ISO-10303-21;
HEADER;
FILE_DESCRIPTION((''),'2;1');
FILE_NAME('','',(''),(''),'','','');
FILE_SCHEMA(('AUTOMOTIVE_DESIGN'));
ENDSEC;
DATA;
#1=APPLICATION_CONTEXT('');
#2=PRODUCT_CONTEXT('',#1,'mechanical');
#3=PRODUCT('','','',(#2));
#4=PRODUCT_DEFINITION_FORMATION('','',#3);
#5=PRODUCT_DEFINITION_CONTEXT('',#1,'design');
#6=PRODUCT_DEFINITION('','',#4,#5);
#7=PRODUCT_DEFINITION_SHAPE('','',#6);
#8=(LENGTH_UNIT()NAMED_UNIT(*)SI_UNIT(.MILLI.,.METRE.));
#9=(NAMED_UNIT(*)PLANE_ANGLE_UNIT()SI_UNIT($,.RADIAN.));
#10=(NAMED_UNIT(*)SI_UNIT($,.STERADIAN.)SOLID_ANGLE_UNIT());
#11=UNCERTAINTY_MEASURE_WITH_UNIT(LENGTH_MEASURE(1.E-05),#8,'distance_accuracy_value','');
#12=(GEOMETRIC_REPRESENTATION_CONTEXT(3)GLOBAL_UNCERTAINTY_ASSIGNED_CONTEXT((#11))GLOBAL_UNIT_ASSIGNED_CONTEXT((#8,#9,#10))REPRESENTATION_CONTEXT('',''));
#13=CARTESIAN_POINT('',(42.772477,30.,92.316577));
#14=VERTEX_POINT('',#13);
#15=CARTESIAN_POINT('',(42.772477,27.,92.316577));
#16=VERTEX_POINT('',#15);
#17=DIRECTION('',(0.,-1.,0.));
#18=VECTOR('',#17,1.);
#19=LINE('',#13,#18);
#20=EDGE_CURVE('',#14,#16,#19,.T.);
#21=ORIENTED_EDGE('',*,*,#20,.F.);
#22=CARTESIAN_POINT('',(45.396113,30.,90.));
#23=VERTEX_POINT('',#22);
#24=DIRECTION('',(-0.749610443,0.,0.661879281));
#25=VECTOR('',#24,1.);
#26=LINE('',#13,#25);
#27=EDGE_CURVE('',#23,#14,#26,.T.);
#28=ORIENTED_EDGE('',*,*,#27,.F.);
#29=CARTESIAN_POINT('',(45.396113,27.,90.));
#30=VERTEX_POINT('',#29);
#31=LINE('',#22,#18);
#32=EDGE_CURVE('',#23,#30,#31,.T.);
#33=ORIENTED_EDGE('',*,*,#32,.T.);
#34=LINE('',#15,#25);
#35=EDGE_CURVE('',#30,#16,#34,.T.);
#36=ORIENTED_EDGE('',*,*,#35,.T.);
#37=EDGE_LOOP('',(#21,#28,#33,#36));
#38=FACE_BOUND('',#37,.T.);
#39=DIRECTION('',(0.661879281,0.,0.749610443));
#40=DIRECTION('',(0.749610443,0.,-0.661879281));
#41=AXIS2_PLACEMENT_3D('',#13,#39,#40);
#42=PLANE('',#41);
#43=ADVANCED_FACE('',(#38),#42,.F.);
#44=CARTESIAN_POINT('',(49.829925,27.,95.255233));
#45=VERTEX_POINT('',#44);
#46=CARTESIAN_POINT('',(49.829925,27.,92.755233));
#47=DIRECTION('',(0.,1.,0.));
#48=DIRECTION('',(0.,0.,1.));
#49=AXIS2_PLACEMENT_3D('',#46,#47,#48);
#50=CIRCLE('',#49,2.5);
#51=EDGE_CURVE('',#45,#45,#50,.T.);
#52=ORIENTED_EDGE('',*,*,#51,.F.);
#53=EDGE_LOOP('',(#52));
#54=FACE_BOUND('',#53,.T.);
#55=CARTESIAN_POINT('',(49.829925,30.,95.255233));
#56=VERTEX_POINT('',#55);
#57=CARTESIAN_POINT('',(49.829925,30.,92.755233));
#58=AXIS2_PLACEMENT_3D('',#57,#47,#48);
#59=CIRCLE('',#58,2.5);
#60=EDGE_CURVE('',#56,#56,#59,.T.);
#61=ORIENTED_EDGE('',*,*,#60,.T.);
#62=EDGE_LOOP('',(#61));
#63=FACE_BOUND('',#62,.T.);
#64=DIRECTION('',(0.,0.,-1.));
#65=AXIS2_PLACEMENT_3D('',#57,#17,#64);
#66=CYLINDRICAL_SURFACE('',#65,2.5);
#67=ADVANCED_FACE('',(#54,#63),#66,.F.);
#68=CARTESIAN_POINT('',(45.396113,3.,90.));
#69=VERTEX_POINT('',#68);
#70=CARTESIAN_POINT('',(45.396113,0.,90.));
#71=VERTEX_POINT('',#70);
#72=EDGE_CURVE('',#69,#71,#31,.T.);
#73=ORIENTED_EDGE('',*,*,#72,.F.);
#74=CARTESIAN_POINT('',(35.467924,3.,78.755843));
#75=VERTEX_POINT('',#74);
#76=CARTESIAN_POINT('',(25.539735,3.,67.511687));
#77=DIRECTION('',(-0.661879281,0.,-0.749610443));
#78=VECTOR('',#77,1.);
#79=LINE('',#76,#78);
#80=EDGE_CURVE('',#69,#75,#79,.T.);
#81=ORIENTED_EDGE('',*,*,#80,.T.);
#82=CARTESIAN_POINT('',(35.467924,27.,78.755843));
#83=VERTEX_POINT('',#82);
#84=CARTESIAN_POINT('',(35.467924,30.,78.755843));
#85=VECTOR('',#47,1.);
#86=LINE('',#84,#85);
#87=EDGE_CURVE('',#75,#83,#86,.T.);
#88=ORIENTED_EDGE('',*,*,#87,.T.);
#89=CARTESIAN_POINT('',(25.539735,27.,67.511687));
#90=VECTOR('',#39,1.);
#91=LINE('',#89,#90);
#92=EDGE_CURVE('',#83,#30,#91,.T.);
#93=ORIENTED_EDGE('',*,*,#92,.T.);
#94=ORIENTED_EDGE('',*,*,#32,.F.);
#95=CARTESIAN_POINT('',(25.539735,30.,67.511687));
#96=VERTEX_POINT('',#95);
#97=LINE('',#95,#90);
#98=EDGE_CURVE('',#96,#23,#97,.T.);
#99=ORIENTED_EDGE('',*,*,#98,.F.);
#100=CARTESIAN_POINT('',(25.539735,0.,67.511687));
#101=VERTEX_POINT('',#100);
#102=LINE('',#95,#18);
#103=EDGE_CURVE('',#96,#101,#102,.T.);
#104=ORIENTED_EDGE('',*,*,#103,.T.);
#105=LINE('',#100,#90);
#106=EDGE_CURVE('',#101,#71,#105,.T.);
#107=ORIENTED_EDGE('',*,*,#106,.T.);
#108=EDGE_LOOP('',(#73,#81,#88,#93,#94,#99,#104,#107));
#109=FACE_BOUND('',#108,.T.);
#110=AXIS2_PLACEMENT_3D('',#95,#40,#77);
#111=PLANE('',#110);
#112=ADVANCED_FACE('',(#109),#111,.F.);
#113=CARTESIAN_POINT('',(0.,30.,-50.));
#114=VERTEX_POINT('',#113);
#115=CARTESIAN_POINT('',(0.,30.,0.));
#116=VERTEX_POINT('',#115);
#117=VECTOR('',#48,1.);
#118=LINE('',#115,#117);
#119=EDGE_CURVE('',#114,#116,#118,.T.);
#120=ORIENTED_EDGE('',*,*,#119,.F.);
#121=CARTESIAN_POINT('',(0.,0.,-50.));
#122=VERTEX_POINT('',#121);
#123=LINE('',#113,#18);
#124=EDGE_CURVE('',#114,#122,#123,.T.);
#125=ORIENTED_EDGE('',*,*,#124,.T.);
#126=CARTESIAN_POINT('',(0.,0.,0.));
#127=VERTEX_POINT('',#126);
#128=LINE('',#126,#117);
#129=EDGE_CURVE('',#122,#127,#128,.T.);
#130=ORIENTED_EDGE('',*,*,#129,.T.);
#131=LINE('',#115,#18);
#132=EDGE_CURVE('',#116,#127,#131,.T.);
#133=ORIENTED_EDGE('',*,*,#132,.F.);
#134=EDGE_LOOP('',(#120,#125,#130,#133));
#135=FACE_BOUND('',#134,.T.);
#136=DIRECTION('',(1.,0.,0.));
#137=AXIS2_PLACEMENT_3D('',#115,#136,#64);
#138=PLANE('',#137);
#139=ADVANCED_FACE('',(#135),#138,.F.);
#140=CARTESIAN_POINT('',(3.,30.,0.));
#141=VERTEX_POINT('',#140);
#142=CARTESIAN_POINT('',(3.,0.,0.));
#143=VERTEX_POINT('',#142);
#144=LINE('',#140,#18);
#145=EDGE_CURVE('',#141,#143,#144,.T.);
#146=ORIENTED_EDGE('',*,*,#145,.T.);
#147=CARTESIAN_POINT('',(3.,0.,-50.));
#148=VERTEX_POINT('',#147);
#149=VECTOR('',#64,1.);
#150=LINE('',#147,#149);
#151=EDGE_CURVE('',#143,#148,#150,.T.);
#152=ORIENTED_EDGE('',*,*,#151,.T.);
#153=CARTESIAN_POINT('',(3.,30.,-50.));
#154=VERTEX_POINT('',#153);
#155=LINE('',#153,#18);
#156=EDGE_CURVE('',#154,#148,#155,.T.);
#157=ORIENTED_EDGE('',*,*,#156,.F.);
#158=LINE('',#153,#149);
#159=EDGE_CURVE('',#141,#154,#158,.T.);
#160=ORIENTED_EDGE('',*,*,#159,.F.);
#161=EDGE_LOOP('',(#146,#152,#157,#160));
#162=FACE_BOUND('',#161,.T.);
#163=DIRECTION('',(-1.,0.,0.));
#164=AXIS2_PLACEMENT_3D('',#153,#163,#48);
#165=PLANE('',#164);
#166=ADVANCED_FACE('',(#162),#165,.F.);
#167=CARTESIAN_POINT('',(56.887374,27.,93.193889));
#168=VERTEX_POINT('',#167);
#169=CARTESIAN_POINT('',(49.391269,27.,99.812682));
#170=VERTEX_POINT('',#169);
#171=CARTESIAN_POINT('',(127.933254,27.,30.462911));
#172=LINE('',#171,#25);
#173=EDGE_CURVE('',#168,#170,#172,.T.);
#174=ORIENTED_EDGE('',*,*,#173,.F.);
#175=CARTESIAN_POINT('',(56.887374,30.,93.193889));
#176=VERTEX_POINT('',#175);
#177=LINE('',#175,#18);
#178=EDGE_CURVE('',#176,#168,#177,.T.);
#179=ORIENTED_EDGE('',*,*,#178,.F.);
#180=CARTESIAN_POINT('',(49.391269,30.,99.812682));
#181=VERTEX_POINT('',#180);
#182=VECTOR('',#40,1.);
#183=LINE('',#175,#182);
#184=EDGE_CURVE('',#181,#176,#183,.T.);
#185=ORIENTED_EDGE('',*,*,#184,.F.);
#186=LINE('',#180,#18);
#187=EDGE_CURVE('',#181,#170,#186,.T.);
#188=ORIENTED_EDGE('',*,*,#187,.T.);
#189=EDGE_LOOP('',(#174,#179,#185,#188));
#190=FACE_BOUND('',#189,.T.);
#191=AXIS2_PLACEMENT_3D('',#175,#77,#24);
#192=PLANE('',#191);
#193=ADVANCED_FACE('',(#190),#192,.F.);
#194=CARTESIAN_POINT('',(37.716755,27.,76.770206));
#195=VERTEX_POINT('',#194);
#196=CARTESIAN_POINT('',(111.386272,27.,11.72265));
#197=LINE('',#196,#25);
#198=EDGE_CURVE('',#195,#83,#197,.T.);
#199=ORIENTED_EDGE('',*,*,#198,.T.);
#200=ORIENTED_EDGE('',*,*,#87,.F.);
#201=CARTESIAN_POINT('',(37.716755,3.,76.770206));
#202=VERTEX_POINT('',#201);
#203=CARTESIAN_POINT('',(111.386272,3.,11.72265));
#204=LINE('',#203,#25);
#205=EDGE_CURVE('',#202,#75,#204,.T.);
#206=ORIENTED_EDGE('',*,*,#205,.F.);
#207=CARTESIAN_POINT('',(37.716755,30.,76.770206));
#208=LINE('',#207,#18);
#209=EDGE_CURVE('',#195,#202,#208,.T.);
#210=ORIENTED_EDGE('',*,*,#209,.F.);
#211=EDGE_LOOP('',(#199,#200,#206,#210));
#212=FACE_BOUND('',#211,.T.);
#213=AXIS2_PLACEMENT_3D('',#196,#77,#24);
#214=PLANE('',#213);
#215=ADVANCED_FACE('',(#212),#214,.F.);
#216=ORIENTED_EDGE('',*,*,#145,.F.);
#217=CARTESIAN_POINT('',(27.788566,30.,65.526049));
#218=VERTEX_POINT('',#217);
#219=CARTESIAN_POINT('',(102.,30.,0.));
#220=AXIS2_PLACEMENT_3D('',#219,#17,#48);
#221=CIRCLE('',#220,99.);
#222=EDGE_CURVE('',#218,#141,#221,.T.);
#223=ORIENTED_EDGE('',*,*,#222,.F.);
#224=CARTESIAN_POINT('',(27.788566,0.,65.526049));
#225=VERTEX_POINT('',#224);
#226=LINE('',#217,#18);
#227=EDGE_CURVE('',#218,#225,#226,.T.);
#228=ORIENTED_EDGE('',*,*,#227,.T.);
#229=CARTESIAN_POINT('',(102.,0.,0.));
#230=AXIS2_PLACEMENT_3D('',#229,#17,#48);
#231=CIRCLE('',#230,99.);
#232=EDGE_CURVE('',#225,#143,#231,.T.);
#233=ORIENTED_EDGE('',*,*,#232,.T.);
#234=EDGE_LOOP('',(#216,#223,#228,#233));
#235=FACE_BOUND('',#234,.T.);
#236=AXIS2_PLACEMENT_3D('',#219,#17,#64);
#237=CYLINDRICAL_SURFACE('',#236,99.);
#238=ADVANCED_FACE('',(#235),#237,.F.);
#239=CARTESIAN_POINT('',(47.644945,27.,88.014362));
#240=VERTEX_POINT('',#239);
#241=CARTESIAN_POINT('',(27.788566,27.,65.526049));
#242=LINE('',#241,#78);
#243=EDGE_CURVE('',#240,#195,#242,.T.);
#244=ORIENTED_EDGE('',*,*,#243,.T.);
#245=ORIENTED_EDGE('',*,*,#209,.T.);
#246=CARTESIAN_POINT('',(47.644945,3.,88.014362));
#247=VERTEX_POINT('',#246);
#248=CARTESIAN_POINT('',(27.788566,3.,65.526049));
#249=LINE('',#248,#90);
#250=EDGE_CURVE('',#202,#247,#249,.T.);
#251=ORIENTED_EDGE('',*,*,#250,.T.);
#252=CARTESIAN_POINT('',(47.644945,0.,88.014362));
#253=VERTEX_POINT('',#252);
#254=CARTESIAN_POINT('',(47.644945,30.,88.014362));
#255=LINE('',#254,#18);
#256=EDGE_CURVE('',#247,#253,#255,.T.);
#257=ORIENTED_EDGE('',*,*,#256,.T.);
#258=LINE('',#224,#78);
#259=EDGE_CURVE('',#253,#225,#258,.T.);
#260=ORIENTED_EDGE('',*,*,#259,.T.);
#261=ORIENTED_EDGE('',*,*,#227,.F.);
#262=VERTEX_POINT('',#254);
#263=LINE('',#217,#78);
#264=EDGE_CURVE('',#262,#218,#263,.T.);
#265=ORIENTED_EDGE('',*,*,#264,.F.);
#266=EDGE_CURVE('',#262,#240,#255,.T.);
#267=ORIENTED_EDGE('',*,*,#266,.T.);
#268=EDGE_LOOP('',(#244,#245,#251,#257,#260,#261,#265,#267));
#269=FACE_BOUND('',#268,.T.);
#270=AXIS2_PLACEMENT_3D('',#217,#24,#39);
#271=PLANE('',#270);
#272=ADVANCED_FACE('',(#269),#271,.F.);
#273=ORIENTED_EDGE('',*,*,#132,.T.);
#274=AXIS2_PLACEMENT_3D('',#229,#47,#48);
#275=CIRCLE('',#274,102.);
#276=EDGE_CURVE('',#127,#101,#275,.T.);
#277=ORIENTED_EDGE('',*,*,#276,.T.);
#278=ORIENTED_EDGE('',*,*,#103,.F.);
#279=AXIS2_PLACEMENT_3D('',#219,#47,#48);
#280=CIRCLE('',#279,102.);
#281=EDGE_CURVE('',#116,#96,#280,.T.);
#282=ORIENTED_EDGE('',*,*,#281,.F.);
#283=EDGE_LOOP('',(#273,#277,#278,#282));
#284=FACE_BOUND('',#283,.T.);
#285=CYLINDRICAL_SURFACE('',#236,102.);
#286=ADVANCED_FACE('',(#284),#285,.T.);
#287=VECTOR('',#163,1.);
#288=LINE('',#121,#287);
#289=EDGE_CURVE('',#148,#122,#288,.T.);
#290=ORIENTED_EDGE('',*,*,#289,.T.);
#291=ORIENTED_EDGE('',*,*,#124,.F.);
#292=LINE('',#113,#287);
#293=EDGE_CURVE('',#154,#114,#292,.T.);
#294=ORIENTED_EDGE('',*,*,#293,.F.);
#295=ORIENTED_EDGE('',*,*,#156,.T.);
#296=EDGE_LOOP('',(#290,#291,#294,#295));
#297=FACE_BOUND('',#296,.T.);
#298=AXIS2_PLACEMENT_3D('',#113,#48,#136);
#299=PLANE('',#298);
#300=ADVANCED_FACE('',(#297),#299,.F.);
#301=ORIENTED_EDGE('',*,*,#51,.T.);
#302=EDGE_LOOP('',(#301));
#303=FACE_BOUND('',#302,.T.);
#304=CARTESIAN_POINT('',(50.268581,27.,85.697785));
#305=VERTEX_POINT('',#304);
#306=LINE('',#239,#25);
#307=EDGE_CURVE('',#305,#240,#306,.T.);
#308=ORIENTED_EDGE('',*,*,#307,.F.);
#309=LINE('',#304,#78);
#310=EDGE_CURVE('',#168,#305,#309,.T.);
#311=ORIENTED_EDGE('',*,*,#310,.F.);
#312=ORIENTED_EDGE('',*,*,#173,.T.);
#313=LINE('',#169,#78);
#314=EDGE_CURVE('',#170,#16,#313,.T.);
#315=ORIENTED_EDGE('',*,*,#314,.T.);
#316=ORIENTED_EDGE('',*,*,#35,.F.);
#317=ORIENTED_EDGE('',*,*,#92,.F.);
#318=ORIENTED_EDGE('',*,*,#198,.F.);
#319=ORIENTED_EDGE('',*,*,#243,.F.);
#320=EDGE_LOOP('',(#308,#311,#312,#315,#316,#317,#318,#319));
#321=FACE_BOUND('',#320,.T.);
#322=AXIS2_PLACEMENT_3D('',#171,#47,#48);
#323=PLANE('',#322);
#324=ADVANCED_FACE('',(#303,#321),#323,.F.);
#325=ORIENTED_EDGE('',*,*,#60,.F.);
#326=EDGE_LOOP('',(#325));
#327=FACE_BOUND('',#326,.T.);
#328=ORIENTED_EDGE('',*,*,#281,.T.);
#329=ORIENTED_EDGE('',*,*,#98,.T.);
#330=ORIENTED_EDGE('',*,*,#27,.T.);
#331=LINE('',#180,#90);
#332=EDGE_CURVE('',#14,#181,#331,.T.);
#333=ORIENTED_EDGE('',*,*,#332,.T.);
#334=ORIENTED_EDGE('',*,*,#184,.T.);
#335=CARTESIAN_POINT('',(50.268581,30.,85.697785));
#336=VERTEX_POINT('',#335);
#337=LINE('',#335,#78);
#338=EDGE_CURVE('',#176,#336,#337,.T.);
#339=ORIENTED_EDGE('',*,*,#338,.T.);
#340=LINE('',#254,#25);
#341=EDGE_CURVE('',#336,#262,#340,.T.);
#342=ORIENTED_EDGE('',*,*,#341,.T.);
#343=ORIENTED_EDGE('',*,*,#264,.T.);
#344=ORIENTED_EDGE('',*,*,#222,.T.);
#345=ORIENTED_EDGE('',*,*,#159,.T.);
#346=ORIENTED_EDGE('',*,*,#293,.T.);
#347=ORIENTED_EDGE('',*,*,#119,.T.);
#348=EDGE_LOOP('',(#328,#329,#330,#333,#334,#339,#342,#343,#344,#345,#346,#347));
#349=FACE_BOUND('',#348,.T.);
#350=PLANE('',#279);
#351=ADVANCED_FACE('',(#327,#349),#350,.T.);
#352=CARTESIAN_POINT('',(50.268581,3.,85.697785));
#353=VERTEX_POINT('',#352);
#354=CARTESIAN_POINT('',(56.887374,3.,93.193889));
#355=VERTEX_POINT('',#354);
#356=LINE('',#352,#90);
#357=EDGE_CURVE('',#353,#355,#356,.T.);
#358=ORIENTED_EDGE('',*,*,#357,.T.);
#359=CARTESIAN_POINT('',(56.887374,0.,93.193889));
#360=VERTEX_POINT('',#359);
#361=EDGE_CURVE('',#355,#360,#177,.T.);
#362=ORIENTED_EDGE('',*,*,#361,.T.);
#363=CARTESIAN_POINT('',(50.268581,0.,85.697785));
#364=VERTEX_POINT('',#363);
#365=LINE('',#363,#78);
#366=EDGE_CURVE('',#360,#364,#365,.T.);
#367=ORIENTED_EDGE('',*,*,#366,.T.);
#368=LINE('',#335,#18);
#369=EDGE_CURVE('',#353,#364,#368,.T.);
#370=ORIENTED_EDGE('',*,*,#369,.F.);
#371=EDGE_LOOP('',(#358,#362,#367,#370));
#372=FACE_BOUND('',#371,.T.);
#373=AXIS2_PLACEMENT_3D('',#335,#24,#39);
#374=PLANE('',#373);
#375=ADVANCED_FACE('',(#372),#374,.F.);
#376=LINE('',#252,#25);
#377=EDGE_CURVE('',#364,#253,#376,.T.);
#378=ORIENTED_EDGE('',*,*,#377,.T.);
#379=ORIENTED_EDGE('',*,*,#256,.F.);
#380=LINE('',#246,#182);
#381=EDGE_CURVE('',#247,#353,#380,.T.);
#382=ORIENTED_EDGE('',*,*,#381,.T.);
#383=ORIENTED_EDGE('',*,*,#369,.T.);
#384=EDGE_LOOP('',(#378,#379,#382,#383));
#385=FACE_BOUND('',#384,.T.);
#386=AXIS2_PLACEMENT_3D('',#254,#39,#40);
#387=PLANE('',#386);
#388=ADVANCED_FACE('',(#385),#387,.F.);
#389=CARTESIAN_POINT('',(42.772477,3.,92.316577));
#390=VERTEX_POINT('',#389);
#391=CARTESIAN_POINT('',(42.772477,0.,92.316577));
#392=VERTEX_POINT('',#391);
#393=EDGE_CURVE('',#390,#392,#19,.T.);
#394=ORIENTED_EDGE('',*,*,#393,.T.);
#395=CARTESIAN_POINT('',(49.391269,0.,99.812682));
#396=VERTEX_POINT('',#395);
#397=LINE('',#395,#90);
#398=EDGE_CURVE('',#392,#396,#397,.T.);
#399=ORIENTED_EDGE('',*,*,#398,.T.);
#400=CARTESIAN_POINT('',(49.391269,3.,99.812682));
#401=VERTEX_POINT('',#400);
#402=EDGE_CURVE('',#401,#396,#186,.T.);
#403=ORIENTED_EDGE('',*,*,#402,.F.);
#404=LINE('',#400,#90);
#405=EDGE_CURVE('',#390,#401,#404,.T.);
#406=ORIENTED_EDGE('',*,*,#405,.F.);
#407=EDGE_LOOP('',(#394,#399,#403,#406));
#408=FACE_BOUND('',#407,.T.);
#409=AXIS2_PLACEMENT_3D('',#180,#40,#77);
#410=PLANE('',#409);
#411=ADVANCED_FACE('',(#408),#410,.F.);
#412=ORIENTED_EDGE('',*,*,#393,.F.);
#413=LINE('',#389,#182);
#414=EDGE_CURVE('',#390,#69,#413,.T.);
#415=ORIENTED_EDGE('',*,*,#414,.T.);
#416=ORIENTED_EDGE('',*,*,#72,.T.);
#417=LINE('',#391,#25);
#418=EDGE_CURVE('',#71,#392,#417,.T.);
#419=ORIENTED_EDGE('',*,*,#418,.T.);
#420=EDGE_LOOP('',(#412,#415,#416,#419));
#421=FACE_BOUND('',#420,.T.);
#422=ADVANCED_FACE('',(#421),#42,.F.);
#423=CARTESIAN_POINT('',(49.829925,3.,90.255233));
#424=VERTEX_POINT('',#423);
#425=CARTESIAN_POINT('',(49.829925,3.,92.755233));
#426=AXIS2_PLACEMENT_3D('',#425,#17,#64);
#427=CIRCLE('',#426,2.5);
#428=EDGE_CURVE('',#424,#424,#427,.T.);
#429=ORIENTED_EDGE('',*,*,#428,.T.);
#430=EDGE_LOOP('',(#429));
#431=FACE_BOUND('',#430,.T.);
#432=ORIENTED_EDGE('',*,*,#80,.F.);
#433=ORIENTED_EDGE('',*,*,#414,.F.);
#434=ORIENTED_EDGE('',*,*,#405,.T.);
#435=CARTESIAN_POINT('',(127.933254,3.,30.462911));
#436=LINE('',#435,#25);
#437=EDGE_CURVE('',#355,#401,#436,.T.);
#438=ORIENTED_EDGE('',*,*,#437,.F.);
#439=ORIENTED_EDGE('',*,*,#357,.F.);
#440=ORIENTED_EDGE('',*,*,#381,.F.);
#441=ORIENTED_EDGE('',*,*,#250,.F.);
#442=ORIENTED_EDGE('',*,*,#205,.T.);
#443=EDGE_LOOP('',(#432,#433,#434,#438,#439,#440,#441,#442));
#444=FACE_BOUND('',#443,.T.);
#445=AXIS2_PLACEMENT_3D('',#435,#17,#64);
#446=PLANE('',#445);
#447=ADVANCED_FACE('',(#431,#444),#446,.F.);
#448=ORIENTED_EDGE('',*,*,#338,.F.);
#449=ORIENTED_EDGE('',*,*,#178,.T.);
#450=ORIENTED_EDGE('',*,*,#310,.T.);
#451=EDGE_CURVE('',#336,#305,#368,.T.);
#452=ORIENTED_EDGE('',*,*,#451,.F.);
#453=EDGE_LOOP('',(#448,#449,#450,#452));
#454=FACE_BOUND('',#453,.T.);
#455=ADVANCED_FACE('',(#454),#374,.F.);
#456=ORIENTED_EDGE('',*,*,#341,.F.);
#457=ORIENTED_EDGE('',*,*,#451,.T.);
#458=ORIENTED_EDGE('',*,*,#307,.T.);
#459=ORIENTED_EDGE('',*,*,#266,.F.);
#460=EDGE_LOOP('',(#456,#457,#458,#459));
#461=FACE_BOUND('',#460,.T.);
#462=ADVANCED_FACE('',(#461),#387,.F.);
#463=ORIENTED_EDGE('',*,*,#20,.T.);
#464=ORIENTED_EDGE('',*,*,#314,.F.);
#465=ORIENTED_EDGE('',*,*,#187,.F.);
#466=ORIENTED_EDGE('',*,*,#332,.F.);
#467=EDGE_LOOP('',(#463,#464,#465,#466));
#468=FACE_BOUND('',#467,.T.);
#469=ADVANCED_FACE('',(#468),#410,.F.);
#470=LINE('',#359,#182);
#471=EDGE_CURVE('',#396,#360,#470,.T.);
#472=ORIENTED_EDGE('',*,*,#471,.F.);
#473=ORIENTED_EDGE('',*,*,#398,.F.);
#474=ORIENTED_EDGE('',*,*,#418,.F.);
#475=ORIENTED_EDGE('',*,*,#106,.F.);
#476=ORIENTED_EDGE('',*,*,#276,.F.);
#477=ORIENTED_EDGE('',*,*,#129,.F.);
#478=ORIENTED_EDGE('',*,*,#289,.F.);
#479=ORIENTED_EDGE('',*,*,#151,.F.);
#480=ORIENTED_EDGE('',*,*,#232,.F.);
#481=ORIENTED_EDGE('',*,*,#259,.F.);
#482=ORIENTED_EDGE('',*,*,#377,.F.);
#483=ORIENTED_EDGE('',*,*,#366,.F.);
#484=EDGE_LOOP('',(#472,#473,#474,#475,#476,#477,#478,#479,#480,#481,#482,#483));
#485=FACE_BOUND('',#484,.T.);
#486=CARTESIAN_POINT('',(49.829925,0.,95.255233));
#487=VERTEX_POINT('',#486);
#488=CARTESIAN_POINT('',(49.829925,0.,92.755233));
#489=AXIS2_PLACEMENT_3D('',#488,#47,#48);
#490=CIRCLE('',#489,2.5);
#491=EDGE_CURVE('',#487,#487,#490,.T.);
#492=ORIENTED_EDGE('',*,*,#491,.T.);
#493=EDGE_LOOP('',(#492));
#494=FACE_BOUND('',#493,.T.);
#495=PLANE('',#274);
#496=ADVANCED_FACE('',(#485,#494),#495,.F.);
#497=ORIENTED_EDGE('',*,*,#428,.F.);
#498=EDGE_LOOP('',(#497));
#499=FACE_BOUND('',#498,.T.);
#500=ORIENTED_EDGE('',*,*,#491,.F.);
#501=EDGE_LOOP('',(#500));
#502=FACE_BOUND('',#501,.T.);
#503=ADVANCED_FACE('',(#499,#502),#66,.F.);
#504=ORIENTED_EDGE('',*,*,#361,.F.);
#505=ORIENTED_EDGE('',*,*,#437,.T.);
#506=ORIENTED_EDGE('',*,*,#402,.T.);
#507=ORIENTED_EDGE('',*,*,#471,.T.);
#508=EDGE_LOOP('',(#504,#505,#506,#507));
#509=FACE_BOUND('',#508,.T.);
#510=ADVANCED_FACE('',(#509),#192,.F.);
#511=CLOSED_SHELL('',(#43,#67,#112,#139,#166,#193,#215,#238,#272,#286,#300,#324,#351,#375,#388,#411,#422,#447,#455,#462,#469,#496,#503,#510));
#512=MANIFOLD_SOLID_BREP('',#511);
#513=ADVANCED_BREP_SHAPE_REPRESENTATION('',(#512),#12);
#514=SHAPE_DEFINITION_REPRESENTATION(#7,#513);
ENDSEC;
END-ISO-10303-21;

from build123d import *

# Parameters (mm, degrees)
ESQUISSE1_R      = 2.5
EXTRUSION1_DEPTH = 30
ESQUISSE3_W      = 25
ESQUISSE3_H      = 24
EXTRUSION2_DEPTH = 105.777068413


with BuildPart() as part:
    # Esquisse1 → Extrusion1 (new body)
    with BuildSketch(Plane(origin=(0, 0, 0), x_dir=(1, 0, 0), z_dir=(0, 1, 0))):
        with BuildLine():
            Line((0, 0), (0, 50))
            Line((0, 50), (3, 50))
            Line((3, 50), (3, 0))
            ThreePointArc((3, 0), (9.404287474, -35.029045403), (27.788566098, -65.526048852))
            Line((27.788566098, -65.526048852), (47.644944538, -88.014362156))
            Line((47.644944538, -88.014362156), (50.26858109, -85.697784671))
            Line((50.26858109, -85.697784671), (56.887373903, -93.193889106))
            Line((56.887373903, -93.193889106), (49.391269469, -99.812681919))
            Line((49.391269469, -99.812681919), (42.772476656, -92.316577485))
            Line((42.772476656, -92.316577485), (45.396113208, -90))
            Line((45.396113208, -90), (25.539734768, -67.511686696))
            ThreePointArc((25.539734768, -67.511686696), (6.598356792, -36.090531627), (0, 0))
        make_face()
        with Locations((49.82992528, -92.755233295)):
            Circle(ESQUISSE1_R, mode=Mode.SUBTRACT)
    extrude(amount=EXTRUSION1_DEPTH)

    # Esquisse3 → Extrusion2 (cut, through all)
    with BuildSketch(Plane(origin=(-21.768488457, 0, 19.220798778), x_dir=(0.661879281, 0, 0.749610443), z_dir=(-0.749610443, 0, 0.661879281))):
        with Locations((95.011686696, 15)):
            Rectangle(ESQUISSE3_W, ESQUISSE3_H)
    extrude(amount=-EXTRUSION2_DEPTH, mode=Mode.SUBTRACT)


solid = part.part
